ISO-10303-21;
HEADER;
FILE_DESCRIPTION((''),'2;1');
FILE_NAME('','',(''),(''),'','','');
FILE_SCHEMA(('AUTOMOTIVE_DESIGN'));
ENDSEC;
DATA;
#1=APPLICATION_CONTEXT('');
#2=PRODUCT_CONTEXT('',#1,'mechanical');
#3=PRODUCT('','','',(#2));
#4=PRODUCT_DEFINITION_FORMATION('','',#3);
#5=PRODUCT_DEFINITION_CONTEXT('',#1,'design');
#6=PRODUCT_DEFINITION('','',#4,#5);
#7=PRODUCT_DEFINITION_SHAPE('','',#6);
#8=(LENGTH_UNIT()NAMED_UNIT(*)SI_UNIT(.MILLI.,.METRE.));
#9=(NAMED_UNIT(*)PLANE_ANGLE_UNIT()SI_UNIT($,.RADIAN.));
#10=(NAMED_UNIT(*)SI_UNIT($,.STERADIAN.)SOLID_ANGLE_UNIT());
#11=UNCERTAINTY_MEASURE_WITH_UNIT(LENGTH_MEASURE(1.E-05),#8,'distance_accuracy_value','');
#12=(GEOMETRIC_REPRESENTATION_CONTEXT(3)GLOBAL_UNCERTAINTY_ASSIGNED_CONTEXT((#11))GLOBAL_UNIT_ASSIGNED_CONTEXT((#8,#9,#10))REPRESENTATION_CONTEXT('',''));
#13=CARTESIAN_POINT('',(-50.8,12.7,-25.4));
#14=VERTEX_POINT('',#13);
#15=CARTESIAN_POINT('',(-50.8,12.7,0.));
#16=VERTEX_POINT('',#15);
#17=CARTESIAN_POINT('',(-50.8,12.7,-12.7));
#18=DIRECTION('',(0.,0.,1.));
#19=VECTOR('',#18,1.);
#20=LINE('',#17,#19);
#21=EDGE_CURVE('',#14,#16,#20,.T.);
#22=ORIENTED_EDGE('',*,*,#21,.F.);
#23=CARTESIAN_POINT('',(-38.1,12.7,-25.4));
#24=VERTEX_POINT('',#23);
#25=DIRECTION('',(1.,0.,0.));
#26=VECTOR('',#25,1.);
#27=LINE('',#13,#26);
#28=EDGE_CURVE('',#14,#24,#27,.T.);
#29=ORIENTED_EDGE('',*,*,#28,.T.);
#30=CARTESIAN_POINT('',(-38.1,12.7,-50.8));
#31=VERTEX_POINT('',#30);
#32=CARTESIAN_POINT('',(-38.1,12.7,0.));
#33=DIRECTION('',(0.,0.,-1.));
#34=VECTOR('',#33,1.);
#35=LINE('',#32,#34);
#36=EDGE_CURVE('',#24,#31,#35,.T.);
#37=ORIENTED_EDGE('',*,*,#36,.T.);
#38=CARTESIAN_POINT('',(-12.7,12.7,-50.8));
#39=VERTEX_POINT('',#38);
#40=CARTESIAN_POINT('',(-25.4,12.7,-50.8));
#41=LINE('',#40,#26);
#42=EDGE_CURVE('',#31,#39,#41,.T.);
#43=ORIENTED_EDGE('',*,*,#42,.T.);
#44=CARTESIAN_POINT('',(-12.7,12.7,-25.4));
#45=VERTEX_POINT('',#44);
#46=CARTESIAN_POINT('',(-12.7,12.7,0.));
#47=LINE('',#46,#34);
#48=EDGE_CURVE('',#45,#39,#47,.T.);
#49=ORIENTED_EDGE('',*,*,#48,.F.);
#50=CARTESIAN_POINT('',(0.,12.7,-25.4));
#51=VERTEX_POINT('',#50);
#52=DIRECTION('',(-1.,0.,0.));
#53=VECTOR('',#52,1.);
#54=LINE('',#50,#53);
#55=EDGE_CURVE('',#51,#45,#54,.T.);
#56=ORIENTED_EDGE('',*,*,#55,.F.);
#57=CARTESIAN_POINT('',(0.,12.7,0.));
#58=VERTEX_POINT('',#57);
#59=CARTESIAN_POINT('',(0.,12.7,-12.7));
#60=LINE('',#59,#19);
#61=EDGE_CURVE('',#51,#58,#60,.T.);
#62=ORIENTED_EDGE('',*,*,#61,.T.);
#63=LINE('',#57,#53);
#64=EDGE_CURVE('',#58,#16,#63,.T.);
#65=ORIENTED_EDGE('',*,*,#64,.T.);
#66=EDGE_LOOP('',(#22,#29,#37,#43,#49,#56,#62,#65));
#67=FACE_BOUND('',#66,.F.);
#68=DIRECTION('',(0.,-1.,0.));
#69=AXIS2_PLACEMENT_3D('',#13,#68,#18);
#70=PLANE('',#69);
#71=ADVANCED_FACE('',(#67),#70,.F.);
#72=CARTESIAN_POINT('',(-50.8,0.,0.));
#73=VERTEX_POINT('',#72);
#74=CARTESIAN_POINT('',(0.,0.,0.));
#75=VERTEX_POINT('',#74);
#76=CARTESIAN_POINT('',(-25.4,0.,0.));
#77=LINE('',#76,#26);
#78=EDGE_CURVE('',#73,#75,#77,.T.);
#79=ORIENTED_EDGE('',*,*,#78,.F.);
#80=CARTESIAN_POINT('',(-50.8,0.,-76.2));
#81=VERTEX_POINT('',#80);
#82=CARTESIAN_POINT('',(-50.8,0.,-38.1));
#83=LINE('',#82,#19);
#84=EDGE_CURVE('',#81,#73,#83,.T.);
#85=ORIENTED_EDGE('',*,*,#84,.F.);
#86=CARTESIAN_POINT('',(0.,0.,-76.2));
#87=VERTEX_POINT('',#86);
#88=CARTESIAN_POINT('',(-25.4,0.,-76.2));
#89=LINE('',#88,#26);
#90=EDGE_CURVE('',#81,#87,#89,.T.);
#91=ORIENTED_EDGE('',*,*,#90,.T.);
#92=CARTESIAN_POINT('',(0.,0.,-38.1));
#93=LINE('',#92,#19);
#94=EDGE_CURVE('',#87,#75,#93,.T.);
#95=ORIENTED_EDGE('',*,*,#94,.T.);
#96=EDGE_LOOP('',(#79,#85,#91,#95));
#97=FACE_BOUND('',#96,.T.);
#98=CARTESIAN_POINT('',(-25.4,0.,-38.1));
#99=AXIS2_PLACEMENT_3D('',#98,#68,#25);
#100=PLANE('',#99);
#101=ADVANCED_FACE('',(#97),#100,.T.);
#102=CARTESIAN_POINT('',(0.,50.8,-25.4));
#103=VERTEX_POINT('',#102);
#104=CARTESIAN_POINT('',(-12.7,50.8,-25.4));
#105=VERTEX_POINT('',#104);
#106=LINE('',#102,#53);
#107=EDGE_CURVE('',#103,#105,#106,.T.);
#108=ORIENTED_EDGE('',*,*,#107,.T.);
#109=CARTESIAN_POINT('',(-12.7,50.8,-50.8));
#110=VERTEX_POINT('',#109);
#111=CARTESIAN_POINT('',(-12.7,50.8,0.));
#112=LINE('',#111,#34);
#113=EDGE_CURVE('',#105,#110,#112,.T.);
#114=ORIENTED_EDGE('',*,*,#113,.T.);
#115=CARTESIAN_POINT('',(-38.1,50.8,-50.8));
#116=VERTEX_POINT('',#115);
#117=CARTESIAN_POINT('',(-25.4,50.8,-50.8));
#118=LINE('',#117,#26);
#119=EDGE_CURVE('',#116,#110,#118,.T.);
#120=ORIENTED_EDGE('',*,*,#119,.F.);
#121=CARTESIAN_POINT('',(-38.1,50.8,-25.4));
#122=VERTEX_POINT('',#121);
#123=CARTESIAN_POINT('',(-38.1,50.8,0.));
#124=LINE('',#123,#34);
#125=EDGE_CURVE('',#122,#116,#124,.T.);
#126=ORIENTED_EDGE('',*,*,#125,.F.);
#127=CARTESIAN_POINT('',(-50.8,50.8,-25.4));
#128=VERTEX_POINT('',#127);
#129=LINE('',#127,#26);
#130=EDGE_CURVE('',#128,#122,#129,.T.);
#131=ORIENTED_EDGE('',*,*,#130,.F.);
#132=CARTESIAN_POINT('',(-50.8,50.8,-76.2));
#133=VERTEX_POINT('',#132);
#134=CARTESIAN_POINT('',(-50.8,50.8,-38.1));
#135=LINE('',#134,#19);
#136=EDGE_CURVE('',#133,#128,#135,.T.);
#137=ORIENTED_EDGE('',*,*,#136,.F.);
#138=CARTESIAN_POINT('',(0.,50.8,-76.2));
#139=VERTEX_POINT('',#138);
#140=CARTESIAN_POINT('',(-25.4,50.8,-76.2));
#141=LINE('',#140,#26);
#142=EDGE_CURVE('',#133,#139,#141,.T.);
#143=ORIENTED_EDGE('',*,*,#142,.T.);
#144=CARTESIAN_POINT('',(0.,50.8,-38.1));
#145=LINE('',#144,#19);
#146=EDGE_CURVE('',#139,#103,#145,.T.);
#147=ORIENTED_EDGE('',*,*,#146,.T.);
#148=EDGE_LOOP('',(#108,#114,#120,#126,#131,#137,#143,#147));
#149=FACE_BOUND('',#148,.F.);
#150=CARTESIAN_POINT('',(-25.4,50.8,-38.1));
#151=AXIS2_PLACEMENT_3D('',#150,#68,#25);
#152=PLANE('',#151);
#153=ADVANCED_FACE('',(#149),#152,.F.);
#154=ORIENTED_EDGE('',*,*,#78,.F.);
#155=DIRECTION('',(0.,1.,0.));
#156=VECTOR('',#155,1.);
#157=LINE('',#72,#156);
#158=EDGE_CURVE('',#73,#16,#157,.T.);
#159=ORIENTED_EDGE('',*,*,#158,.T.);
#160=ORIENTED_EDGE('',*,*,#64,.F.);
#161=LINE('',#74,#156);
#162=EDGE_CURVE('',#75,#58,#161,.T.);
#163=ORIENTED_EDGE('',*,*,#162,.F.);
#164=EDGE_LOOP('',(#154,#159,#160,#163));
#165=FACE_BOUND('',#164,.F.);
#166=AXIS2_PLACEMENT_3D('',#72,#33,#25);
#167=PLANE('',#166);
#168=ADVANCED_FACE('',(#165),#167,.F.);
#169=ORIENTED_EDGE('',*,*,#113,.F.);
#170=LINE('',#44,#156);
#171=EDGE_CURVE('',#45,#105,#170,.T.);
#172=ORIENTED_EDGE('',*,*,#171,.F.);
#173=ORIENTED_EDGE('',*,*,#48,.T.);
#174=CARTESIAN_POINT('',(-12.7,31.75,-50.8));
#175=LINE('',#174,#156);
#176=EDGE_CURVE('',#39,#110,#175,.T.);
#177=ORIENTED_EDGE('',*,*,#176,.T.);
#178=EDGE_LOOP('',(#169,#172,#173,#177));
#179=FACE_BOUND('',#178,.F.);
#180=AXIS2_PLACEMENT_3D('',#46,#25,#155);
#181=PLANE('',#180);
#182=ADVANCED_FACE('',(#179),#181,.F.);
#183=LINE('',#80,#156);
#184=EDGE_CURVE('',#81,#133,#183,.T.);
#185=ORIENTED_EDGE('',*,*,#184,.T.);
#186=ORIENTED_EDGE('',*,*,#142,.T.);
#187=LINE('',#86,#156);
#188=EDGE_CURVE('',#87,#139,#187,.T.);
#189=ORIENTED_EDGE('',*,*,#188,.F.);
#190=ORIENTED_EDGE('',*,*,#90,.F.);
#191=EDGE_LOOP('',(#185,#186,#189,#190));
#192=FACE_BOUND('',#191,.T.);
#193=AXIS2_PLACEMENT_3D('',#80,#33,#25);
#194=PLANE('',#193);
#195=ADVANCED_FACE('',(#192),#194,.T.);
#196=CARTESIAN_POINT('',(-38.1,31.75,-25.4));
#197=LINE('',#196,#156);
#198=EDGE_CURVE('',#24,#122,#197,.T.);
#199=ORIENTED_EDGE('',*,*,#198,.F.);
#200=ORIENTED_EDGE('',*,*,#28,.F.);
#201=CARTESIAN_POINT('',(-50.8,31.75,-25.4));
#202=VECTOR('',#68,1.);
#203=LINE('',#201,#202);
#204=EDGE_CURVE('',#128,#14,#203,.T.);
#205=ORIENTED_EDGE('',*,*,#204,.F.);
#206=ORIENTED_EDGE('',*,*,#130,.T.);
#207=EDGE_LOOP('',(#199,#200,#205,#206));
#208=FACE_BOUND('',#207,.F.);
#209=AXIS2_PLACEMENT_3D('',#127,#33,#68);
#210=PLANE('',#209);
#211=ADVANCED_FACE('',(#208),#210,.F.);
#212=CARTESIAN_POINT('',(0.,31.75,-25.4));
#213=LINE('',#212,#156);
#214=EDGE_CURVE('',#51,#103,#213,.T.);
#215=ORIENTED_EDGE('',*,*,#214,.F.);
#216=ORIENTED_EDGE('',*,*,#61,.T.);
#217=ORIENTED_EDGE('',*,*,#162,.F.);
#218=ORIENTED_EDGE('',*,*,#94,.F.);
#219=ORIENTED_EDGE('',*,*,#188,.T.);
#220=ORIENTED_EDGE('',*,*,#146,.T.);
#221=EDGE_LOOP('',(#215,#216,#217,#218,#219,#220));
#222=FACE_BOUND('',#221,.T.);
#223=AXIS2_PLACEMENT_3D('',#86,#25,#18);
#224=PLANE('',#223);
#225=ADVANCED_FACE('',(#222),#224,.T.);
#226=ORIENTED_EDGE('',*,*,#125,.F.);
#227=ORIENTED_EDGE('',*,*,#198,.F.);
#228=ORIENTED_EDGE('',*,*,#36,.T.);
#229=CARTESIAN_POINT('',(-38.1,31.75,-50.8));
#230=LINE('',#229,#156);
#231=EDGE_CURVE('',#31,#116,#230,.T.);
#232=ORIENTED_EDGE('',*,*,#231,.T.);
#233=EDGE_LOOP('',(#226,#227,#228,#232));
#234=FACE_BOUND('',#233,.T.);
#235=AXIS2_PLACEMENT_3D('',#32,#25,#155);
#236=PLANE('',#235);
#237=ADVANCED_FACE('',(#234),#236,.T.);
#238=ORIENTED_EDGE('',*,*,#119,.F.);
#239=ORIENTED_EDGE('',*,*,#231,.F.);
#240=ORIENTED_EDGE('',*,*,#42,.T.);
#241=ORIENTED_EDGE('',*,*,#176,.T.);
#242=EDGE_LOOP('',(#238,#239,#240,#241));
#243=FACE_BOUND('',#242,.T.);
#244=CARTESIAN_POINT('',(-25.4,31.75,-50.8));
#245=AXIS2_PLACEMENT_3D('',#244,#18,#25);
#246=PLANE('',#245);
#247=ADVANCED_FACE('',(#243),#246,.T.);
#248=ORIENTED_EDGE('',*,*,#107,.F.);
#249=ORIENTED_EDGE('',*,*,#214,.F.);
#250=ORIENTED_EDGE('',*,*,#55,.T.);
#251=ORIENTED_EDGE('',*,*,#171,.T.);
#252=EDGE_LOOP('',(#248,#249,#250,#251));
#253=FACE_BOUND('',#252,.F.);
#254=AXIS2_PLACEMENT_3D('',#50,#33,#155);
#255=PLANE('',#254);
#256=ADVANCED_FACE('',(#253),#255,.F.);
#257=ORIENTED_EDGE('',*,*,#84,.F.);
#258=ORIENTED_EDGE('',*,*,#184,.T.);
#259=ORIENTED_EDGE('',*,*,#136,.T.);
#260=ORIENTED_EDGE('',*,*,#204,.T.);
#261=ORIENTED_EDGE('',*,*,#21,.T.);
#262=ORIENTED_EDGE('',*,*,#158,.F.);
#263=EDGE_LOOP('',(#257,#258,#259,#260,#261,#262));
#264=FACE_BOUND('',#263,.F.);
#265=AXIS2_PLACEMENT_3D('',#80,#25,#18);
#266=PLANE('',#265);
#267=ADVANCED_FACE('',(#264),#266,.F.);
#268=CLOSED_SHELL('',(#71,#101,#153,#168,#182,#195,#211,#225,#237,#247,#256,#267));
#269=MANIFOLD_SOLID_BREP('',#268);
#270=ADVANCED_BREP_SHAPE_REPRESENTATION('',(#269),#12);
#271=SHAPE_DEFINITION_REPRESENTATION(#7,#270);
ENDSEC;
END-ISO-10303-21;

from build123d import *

# Parameters (mm, degrees)
F0_W     = 50.8
F0_H     = 76.2
F1_DEPTH = 50.8
F2_W     = 25.4
F2_H     = 38.1
F3_DEPTH = 50.8
F4_W     = 38.1
F4_H     = 25.4
F5_DEPTH = 25.4
F6_W     = 38.1
F6_H     = 25.4
F7_DEPTH = 25.4


with BuildPart() as f1:
    # F0 (on Front) → F1 (new body)
    with BuildSketch(Plane.XZ):
        with Locations((-25.4, -38.1)):
            Rectangle(F0_W, F0_H)
    extrude(amount=-F1_DEPTH)

    # F2 (on face) → F3 (cut)
    with BuildSketch(Plane.XY):
        with Locations((-25.4, 31.75)):
            Rectangle(F2_W, F2_H)
    extrude(amount=-F3_DEPTH, mode=Mode.SUBTRACT)

    # F4 (on face) → F5 (cut)
    with BuildSketch(Plane(origin=(-50.8, 0, 0), x_dir=(0, -1, 0), z_dir=(-1, 0, 0))):
        with Locations((-31.75, -12.7)):
            Rectangle(F4_W, F4_H)
    extrude(amount=-F5_DEPTH, mode=Mode.SUBTRACT)

    # F6 (on face) → F7 (cut)
    with BuildSketch(Plane.YZ):
        with Locations((31.75, -12.7)):
            Rectangle(F6_W, F6_H)
    extrude(amount=-F7_DEPTH, mode=Mode.SUBTRACT)


solid = f1.part
